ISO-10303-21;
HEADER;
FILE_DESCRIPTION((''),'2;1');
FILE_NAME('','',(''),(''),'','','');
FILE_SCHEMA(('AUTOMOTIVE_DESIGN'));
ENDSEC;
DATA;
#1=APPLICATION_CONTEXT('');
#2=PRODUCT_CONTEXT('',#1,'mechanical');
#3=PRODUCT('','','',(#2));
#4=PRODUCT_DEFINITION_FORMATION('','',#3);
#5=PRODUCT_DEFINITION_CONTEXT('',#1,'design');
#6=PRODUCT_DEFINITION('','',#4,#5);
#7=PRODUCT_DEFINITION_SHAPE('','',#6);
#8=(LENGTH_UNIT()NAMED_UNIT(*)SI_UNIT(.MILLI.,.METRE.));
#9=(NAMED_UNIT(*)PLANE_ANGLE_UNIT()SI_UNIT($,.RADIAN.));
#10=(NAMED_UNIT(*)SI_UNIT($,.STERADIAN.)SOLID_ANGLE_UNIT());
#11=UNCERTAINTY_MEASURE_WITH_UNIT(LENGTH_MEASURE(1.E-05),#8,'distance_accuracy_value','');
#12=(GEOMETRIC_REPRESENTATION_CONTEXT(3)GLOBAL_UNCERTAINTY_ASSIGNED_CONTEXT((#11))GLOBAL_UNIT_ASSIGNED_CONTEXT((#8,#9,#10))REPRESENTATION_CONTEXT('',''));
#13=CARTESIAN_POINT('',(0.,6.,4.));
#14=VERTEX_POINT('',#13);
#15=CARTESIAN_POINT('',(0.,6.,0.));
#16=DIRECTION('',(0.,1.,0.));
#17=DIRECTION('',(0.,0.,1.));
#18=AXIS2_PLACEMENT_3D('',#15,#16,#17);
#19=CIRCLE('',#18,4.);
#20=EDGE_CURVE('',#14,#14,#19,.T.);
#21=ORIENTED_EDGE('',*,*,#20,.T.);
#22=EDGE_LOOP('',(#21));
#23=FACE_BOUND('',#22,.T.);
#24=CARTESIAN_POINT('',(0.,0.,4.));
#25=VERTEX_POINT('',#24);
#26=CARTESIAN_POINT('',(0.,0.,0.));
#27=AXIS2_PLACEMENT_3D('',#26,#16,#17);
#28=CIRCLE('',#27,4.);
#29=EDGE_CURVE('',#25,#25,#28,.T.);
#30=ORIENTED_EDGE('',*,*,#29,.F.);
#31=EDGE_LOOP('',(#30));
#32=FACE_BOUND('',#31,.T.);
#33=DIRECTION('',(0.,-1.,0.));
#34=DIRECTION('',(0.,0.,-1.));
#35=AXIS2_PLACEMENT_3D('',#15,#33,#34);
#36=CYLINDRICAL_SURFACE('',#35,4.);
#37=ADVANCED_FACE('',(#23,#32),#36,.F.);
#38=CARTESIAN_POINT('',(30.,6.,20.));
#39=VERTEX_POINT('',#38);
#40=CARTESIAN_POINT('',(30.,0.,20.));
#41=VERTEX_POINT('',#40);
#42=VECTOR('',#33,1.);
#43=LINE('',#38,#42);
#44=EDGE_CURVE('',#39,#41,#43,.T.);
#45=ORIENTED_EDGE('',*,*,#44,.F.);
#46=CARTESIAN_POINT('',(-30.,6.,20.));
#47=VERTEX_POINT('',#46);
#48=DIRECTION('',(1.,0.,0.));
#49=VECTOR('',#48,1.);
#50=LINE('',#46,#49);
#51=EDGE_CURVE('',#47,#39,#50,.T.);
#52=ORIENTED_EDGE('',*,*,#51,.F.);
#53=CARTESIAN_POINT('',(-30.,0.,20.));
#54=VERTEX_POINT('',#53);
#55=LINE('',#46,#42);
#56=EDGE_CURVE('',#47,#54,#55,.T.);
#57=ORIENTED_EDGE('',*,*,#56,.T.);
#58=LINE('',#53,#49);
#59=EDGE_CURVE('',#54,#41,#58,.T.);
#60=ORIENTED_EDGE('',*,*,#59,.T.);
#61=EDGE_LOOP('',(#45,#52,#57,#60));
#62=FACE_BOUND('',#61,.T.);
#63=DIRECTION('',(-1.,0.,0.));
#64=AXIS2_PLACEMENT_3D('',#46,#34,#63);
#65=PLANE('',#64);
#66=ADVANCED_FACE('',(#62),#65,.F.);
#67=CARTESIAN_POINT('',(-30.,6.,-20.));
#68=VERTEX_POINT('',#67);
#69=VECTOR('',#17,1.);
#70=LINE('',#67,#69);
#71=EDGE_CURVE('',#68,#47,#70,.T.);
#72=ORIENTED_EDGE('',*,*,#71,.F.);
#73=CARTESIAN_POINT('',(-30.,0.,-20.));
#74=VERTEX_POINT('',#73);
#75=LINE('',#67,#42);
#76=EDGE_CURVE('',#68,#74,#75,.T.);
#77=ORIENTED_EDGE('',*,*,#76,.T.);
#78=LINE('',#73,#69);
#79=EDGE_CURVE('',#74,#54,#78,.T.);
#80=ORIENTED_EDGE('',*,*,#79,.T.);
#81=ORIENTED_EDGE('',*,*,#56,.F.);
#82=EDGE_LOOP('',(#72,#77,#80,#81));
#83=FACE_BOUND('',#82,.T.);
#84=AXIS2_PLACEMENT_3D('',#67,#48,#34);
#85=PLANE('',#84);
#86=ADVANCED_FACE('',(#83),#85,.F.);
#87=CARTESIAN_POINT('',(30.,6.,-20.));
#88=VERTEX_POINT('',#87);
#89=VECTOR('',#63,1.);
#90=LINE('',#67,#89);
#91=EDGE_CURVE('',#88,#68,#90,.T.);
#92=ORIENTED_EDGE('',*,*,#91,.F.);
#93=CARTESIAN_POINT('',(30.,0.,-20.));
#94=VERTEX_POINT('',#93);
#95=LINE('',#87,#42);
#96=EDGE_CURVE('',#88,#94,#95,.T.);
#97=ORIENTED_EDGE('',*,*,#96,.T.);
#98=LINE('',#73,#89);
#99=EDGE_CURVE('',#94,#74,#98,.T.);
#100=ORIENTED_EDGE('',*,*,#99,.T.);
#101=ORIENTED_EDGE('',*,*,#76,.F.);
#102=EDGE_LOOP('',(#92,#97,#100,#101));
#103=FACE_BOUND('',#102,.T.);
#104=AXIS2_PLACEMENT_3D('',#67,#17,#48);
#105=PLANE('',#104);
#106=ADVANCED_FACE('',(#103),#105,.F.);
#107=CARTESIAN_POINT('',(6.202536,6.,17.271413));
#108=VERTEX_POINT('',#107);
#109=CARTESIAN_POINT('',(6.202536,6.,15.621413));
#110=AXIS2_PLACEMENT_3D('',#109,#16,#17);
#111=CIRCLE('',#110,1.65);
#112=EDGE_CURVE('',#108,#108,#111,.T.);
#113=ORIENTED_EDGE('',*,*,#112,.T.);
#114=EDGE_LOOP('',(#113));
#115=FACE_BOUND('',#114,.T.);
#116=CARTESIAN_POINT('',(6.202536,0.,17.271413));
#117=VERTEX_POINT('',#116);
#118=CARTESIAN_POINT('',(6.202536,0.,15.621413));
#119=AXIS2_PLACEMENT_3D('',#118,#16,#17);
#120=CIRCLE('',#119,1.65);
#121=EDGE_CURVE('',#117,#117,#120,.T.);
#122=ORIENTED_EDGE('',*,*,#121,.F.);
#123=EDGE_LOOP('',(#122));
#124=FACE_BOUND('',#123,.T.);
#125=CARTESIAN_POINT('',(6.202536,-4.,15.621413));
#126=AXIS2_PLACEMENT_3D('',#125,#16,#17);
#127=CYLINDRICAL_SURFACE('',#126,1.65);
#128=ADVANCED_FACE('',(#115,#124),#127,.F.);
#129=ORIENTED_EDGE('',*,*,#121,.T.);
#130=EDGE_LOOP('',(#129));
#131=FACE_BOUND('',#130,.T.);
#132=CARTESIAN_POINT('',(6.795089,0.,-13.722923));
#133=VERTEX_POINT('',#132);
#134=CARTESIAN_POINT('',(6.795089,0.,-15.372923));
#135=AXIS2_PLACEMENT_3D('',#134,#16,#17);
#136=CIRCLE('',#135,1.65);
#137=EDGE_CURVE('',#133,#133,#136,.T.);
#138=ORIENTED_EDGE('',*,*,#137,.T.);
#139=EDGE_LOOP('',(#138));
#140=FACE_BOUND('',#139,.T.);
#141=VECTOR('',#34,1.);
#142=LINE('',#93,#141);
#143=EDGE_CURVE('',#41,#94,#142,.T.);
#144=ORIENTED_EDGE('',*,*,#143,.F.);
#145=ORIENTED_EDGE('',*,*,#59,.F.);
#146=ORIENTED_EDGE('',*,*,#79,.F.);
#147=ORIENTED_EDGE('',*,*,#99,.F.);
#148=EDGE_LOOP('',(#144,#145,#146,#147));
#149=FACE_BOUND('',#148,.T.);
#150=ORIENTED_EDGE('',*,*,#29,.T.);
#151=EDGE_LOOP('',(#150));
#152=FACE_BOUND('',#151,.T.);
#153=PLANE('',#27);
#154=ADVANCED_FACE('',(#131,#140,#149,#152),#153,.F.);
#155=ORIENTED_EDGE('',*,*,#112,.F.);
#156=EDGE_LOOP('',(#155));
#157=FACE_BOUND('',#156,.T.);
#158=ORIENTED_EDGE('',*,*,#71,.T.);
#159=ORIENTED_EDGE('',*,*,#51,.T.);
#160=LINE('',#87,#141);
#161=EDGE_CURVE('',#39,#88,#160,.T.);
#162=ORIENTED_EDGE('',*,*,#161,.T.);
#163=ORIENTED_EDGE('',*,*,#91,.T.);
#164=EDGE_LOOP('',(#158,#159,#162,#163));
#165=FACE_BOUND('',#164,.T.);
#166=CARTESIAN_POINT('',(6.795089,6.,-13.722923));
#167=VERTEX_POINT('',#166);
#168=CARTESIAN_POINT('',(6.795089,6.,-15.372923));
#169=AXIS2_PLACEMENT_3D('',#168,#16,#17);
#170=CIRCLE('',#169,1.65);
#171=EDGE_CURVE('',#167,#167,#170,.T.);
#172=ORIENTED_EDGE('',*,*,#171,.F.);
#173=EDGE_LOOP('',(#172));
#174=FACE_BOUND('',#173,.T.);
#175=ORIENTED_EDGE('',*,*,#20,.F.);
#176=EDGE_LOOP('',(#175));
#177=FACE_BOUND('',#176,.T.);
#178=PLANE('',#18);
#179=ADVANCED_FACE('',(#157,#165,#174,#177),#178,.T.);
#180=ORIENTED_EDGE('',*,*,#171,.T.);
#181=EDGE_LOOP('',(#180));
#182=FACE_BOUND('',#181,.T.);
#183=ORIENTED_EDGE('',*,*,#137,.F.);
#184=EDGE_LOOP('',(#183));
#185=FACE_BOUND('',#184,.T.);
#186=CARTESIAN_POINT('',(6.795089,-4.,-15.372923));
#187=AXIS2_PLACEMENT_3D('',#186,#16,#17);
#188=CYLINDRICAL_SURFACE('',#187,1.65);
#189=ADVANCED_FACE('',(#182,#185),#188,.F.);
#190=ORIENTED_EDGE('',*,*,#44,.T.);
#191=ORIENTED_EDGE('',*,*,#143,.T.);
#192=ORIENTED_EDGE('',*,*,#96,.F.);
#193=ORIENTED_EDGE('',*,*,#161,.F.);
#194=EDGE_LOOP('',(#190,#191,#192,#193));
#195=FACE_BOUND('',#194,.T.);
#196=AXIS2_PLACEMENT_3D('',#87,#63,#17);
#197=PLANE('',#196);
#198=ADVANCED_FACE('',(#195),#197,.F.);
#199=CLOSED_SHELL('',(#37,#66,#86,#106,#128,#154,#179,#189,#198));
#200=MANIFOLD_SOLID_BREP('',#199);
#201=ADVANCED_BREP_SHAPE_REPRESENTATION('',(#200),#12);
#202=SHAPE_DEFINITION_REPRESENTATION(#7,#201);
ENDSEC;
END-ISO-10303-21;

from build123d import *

# Parameters (mm, degrees)
SKETCH1_W           = 60
SKETCH1_H           = 40
SKETCH1_R           = 4
BOSS_EXTRUDE1_DEPTH = 6
SKETCH2_R           = 1.65
CUT_EXTRUDE1_DEPTH  = 10


with BuildPart() as part:
    # Sketch1 → Boss-Extrude1 (new body)
    with BuildSketch(Plane(origin=(0, 0, 0), x_dir=(1, 0, 0), z_dir=(0, 1, 0))):
        Rectangle(SKETCH1_W, SKETCH1_H)
        with Locations(Location((0, 0, 0), (0, 0, 270))):
            Circle(SKETCH1_R, mode=Mode.SUBTRACT)
    extrude(amount=BOSS_EXTRUDE1_DEPTH)

    # Sketch2 → Cut-Extrude1 (cut)
    with BuildSketch(Plane(origin=(0, 6, 0), x_dir=(1, 0, 0), z_dir=(0, 1, 0))):
        with Locations(Location((6.795088799, 15.372923216, 0), (0, 0, 270))):
            Circle(SKETCH2_R)
        with Locations(Location((6.202536092, -15.621413061, 0), (0, 0, 270))):
            Circle(SKETCH2_R)
    extrude(amount=-CUT_EXTRUDE1_DEPTH, mode=Mode.SUBTRACT)


solid = part.part
